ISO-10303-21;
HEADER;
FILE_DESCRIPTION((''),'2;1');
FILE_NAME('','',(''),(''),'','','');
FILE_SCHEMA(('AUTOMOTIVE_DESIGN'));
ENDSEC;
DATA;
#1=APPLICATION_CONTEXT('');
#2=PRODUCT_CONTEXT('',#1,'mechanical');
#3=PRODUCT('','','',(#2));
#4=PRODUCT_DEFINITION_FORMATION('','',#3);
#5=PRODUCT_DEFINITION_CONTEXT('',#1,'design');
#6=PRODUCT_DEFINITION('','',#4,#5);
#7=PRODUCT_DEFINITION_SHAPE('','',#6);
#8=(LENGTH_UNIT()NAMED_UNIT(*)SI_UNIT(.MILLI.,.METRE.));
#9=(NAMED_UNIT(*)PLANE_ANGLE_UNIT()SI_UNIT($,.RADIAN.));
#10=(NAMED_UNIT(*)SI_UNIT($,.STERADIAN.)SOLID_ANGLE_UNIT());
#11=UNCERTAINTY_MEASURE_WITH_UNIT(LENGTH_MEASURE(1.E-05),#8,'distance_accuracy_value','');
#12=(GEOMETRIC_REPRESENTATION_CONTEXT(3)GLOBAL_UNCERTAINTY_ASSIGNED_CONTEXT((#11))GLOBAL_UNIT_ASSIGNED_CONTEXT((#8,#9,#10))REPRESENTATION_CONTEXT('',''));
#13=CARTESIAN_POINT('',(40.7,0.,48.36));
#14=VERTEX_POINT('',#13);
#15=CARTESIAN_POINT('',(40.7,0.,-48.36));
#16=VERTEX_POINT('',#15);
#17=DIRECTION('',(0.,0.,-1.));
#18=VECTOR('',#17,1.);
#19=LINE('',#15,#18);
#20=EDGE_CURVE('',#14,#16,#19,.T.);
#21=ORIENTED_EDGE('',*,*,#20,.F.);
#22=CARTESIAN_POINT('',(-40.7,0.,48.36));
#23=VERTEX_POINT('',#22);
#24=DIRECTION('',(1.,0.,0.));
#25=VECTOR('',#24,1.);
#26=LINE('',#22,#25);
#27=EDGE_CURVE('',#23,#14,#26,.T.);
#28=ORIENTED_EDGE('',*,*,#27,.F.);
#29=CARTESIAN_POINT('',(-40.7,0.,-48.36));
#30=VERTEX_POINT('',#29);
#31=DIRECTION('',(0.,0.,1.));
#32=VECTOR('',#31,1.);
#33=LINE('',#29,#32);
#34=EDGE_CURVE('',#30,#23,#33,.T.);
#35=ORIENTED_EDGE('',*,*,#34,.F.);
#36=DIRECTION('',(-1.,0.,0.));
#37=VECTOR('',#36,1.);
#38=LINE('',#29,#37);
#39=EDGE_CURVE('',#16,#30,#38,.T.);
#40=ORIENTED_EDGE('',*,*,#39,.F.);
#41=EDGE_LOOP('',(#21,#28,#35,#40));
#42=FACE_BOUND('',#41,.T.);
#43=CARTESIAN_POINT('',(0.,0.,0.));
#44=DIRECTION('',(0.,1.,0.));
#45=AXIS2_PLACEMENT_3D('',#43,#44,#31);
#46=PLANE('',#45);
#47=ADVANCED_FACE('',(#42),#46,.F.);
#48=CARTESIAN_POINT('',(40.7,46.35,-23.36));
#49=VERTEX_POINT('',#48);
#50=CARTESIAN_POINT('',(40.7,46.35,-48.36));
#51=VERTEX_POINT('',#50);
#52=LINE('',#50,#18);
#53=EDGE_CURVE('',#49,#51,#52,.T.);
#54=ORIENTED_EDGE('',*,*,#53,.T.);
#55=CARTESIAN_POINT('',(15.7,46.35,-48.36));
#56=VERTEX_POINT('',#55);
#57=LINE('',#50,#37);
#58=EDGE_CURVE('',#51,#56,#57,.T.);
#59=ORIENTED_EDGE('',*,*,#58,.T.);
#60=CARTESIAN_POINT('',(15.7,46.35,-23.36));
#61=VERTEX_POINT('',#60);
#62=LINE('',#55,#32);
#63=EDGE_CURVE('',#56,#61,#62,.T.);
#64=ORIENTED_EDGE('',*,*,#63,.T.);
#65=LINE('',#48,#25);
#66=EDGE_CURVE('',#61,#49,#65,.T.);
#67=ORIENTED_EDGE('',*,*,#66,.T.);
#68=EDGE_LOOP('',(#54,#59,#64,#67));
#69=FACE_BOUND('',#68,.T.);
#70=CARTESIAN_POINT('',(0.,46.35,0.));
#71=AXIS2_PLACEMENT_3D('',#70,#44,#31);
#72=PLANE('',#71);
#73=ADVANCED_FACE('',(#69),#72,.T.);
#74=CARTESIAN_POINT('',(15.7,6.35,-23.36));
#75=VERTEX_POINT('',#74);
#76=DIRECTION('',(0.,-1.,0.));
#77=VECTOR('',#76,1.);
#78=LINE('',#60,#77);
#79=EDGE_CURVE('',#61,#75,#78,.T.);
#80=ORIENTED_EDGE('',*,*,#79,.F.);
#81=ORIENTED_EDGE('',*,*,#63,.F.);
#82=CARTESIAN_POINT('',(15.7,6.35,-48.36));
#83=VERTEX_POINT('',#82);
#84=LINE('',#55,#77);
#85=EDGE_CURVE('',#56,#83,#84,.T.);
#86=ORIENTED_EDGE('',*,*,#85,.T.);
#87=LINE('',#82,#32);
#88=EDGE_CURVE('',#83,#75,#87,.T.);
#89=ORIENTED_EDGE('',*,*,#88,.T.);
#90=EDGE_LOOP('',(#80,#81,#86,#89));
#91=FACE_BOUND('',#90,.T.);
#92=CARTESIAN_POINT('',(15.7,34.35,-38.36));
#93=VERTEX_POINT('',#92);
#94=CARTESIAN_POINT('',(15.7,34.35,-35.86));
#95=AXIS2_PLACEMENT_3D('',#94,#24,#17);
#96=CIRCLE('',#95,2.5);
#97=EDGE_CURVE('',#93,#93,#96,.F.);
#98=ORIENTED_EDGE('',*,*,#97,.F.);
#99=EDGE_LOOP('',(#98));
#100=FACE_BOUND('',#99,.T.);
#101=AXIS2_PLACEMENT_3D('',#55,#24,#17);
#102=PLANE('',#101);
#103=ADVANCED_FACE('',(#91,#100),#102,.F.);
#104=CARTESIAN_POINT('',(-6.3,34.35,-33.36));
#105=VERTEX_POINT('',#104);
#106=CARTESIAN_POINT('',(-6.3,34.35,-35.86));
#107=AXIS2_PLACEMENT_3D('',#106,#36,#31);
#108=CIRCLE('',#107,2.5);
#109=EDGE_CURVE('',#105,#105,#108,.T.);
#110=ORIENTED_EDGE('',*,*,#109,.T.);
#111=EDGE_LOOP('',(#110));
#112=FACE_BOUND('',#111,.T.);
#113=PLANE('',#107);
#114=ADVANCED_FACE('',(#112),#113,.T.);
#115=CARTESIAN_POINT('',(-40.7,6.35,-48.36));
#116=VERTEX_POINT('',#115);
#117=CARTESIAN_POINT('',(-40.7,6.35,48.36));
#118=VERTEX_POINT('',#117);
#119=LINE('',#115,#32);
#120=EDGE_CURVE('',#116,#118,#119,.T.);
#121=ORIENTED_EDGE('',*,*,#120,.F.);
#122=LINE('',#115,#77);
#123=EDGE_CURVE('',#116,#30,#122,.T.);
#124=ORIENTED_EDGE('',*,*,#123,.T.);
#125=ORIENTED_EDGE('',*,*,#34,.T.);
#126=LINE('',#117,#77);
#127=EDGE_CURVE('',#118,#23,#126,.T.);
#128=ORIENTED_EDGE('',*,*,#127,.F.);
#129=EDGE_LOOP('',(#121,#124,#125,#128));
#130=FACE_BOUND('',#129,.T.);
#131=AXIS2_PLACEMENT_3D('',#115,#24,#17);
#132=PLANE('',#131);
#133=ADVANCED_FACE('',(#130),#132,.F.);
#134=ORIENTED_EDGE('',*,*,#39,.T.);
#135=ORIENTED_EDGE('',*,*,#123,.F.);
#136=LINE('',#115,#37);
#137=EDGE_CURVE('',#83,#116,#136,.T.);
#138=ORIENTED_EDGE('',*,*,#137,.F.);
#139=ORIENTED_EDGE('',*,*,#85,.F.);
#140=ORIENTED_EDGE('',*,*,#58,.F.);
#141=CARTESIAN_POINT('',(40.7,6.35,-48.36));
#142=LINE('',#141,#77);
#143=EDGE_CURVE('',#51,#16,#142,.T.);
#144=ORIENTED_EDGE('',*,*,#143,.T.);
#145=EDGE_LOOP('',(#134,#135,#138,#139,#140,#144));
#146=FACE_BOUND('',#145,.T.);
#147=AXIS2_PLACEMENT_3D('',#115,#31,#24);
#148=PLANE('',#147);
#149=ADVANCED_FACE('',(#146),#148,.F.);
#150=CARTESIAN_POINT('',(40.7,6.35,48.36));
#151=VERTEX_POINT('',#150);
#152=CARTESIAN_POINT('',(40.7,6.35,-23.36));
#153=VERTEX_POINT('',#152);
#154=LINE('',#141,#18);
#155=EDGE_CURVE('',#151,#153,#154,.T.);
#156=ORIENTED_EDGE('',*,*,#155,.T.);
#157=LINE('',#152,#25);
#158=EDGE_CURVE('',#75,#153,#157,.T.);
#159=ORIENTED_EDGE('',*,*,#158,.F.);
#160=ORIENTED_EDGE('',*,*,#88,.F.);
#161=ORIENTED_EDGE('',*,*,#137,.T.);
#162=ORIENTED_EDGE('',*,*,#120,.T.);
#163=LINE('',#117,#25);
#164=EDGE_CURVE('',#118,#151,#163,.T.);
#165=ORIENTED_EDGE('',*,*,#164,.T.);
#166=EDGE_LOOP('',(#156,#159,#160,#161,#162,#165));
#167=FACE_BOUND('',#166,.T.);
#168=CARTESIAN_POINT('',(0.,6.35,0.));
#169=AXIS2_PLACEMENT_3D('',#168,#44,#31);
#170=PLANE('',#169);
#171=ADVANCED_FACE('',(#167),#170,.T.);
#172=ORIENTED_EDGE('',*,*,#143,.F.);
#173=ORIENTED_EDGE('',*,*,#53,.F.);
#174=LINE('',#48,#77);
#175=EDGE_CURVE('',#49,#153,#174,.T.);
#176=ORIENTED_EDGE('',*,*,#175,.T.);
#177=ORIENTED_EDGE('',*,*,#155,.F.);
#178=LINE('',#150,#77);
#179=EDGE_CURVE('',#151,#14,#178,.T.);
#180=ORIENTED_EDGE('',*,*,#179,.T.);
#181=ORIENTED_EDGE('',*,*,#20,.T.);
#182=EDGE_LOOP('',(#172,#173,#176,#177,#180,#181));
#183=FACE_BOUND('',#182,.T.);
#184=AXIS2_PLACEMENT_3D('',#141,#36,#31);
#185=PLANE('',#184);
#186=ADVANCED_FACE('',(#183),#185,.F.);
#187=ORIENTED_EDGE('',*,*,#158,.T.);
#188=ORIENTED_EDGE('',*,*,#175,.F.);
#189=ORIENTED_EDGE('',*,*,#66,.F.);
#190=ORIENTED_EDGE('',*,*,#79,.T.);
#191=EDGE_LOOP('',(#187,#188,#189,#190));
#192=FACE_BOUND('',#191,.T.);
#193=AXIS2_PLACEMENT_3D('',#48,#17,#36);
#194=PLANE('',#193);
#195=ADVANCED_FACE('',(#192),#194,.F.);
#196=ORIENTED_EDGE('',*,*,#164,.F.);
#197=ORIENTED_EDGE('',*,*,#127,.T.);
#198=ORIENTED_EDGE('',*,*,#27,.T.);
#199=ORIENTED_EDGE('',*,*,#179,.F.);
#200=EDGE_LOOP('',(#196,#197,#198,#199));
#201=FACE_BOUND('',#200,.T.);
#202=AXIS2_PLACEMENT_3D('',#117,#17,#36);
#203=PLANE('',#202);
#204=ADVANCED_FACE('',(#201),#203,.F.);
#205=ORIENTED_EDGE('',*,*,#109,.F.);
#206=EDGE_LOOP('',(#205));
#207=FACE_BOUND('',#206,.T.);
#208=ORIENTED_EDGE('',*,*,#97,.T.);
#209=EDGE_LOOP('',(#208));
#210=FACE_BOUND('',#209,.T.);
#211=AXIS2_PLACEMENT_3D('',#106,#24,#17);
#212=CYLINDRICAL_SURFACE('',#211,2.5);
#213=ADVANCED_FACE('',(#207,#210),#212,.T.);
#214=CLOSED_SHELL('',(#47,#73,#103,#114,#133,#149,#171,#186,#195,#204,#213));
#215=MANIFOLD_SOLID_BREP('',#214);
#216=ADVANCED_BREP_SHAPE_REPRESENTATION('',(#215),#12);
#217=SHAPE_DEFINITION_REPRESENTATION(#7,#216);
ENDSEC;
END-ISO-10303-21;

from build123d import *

# Parameters (mm, degrees)
SKETCH1_W           = 81.4
SKETCH1_H           = 96.72
BOSS_EXTRUDE1_DEPTH = 6.35
SKETCH2_W           = 25
SKETCH2_H           = 25
BOSS_EXTRUDE2_DEPTH = 40
SKETCH3_R           = 2.5
BOSS_EXTRUDE3_DEPTH = 22


with BuildPart() as part:
    # Sketch1 → Boss-Extrude1 (new body)
    with BuildSketch(Plane(origin=(0, 0, 0), x_dir=(1, 0, 0), z_dir=(0, 1, 0))):
        Rectangle(SKETCH1_W, SKETCH1_H)
    extrude(amount=BOSS_EXTRUDE1_DEPTH)

    # Sketch2 → Boss-Extrude2 (add)
    with BuildSketch(Plane(origin=(0, 6.35, 0), x_dir=(1, 0, 0), z_dir=(0, 1, 0))):
        with Locations((28.2, 35.86)):
            Rectangle(SKETCH2_W, SKETCH2_H)
    extrude(amount=BOSS_EXTRUDE2_DEPTH)

    # Sketch3 → Boss-Extrude3 (add)
    with BuildSketch(Plane.ZY.offset(-15.7)):
        with Locations(Location((-35.86, 34.35, 0), (0, 0, 180))):
            Circle(SKETCH3_R)
    extrude(amount=BOSS_EXTRUDE3_DEPTH)


solid = part.part
